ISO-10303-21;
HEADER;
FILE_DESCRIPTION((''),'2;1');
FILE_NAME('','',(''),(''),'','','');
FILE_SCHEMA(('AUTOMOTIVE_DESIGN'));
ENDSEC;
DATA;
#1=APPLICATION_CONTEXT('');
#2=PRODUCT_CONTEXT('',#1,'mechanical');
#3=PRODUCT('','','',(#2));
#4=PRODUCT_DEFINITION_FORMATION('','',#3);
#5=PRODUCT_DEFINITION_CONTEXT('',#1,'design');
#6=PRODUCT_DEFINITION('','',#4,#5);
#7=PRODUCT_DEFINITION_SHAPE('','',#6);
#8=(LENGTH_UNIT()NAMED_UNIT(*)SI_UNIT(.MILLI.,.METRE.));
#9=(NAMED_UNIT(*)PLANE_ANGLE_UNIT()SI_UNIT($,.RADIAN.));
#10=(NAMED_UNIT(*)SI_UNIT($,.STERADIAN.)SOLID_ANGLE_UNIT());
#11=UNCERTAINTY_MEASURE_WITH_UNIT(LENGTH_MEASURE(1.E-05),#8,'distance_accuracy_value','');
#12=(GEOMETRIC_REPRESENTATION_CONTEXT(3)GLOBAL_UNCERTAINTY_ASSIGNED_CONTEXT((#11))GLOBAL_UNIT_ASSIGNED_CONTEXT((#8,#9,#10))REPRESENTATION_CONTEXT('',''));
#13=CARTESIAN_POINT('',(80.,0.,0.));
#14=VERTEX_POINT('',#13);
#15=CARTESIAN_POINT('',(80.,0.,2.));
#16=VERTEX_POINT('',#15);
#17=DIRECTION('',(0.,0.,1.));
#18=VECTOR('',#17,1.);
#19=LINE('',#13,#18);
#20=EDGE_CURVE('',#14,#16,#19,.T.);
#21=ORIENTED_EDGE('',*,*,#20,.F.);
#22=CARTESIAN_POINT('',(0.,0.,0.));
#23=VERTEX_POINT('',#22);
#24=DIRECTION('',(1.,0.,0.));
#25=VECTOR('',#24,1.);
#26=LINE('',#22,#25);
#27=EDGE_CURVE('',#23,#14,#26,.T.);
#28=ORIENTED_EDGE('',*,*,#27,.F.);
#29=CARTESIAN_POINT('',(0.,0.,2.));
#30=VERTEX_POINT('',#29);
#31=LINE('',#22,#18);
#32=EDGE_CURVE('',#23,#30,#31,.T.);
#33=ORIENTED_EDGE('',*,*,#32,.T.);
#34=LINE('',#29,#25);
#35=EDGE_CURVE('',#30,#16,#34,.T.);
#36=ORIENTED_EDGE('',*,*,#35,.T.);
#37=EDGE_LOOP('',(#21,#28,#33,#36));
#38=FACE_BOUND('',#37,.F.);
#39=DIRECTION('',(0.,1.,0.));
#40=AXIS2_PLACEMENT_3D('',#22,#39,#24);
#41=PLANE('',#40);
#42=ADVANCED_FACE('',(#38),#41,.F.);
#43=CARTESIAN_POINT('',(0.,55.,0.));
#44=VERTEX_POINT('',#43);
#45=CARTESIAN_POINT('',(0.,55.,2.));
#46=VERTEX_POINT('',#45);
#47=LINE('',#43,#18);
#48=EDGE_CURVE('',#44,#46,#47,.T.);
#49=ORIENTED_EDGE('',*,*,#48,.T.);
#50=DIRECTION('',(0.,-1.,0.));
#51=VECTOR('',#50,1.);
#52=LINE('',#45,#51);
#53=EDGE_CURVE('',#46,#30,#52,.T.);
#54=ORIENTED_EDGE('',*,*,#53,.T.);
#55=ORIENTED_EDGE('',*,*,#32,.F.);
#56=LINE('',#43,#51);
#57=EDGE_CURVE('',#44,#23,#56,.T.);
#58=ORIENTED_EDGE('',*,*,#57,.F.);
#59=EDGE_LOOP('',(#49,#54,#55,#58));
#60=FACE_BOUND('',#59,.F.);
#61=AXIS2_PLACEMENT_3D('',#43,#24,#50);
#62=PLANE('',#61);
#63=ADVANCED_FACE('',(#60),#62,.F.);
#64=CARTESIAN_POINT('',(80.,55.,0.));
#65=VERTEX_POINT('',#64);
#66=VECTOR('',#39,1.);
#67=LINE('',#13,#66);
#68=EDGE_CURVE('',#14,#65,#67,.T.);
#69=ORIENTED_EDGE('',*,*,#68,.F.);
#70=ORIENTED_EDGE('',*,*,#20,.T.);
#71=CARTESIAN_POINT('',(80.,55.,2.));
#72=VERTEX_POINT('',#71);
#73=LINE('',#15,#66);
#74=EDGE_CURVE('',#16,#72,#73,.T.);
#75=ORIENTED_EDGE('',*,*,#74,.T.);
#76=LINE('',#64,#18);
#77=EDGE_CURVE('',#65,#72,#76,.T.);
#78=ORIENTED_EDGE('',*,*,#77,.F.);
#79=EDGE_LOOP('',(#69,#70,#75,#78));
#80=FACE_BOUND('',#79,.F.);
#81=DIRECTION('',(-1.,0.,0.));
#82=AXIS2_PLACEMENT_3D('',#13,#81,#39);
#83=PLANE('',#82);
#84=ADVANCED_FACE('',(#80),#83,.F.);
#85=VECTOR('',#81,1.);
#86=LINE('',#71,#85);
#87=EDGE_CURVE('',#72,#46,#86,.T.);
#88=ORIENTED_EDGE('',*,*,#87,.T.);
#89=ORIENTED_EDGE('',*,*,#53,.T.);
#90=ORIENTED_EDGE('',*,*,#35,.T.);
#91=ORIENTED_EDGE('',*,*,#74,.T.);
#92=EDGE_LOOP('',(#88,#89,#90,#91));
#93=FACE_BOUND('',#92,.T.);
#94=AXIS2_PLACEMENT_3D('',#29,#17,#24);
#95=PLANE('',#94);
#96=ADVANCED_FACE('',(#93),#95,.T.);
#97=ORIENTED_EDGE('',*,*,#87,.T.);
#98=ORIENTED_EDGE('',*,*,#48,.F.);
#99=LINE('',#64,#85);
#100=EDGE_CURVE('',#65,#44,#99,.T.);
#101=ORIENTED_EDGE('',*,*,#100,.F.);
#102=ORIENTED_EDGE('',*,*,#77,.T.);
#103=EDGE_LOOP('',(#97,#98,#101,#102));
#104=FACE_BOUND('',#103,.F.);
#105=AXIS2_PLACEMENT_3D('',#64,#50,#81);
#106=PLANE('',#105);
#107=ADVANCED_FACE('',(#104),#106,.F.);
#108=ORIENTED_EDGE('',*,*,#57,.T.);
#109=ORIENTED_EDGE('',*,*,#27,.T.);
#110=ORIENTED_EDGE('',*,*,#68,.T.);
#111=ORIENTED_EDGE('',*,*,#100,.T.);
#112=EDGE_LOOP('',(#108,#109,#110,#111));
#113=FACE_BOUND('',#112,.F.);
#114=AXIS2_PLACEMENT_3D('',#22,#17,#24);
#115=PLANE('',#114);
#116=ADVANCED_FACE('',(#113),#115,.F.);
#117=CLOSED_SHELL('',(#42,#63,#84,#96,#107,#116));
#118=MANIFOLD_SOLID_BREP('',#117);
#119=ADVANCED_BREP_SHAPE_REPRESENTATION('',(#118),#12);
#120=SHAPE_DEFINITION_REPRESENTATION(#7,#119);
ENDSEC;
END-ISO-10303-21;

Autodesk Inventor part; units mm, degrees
ref_plane "YZ Plane" through (0, 0, 0) normal (1, 0, 0) x (0, 1, 0)
ref_plane "XZ Plane" through (0, 0, 0) normal (0, 1, 0) x (-1, 0, 0)
ref_plane "XY Plane" through (0, 0, 0) normal (0, 0, 1) x (1, 0, 0)
sketch "スケッチ1" plane through (0, 0, 0) normal (0, 0, 1) x (1, 0, 0)
  line L0 (0, 0) -> (80, 0)
  line L1 (80, 0) -> (80, 55)
  line L2 (80, 55) -> (0, 55)
  line L3 (0, 55) -> (0, 0)
  dimension "d0" = 80
  dimension "d1" = 55
extrude "押し出し1" add sketch "スケッチ1" along normal blind 2
properties part number "shield" material "アセタール樹脂、黒"
